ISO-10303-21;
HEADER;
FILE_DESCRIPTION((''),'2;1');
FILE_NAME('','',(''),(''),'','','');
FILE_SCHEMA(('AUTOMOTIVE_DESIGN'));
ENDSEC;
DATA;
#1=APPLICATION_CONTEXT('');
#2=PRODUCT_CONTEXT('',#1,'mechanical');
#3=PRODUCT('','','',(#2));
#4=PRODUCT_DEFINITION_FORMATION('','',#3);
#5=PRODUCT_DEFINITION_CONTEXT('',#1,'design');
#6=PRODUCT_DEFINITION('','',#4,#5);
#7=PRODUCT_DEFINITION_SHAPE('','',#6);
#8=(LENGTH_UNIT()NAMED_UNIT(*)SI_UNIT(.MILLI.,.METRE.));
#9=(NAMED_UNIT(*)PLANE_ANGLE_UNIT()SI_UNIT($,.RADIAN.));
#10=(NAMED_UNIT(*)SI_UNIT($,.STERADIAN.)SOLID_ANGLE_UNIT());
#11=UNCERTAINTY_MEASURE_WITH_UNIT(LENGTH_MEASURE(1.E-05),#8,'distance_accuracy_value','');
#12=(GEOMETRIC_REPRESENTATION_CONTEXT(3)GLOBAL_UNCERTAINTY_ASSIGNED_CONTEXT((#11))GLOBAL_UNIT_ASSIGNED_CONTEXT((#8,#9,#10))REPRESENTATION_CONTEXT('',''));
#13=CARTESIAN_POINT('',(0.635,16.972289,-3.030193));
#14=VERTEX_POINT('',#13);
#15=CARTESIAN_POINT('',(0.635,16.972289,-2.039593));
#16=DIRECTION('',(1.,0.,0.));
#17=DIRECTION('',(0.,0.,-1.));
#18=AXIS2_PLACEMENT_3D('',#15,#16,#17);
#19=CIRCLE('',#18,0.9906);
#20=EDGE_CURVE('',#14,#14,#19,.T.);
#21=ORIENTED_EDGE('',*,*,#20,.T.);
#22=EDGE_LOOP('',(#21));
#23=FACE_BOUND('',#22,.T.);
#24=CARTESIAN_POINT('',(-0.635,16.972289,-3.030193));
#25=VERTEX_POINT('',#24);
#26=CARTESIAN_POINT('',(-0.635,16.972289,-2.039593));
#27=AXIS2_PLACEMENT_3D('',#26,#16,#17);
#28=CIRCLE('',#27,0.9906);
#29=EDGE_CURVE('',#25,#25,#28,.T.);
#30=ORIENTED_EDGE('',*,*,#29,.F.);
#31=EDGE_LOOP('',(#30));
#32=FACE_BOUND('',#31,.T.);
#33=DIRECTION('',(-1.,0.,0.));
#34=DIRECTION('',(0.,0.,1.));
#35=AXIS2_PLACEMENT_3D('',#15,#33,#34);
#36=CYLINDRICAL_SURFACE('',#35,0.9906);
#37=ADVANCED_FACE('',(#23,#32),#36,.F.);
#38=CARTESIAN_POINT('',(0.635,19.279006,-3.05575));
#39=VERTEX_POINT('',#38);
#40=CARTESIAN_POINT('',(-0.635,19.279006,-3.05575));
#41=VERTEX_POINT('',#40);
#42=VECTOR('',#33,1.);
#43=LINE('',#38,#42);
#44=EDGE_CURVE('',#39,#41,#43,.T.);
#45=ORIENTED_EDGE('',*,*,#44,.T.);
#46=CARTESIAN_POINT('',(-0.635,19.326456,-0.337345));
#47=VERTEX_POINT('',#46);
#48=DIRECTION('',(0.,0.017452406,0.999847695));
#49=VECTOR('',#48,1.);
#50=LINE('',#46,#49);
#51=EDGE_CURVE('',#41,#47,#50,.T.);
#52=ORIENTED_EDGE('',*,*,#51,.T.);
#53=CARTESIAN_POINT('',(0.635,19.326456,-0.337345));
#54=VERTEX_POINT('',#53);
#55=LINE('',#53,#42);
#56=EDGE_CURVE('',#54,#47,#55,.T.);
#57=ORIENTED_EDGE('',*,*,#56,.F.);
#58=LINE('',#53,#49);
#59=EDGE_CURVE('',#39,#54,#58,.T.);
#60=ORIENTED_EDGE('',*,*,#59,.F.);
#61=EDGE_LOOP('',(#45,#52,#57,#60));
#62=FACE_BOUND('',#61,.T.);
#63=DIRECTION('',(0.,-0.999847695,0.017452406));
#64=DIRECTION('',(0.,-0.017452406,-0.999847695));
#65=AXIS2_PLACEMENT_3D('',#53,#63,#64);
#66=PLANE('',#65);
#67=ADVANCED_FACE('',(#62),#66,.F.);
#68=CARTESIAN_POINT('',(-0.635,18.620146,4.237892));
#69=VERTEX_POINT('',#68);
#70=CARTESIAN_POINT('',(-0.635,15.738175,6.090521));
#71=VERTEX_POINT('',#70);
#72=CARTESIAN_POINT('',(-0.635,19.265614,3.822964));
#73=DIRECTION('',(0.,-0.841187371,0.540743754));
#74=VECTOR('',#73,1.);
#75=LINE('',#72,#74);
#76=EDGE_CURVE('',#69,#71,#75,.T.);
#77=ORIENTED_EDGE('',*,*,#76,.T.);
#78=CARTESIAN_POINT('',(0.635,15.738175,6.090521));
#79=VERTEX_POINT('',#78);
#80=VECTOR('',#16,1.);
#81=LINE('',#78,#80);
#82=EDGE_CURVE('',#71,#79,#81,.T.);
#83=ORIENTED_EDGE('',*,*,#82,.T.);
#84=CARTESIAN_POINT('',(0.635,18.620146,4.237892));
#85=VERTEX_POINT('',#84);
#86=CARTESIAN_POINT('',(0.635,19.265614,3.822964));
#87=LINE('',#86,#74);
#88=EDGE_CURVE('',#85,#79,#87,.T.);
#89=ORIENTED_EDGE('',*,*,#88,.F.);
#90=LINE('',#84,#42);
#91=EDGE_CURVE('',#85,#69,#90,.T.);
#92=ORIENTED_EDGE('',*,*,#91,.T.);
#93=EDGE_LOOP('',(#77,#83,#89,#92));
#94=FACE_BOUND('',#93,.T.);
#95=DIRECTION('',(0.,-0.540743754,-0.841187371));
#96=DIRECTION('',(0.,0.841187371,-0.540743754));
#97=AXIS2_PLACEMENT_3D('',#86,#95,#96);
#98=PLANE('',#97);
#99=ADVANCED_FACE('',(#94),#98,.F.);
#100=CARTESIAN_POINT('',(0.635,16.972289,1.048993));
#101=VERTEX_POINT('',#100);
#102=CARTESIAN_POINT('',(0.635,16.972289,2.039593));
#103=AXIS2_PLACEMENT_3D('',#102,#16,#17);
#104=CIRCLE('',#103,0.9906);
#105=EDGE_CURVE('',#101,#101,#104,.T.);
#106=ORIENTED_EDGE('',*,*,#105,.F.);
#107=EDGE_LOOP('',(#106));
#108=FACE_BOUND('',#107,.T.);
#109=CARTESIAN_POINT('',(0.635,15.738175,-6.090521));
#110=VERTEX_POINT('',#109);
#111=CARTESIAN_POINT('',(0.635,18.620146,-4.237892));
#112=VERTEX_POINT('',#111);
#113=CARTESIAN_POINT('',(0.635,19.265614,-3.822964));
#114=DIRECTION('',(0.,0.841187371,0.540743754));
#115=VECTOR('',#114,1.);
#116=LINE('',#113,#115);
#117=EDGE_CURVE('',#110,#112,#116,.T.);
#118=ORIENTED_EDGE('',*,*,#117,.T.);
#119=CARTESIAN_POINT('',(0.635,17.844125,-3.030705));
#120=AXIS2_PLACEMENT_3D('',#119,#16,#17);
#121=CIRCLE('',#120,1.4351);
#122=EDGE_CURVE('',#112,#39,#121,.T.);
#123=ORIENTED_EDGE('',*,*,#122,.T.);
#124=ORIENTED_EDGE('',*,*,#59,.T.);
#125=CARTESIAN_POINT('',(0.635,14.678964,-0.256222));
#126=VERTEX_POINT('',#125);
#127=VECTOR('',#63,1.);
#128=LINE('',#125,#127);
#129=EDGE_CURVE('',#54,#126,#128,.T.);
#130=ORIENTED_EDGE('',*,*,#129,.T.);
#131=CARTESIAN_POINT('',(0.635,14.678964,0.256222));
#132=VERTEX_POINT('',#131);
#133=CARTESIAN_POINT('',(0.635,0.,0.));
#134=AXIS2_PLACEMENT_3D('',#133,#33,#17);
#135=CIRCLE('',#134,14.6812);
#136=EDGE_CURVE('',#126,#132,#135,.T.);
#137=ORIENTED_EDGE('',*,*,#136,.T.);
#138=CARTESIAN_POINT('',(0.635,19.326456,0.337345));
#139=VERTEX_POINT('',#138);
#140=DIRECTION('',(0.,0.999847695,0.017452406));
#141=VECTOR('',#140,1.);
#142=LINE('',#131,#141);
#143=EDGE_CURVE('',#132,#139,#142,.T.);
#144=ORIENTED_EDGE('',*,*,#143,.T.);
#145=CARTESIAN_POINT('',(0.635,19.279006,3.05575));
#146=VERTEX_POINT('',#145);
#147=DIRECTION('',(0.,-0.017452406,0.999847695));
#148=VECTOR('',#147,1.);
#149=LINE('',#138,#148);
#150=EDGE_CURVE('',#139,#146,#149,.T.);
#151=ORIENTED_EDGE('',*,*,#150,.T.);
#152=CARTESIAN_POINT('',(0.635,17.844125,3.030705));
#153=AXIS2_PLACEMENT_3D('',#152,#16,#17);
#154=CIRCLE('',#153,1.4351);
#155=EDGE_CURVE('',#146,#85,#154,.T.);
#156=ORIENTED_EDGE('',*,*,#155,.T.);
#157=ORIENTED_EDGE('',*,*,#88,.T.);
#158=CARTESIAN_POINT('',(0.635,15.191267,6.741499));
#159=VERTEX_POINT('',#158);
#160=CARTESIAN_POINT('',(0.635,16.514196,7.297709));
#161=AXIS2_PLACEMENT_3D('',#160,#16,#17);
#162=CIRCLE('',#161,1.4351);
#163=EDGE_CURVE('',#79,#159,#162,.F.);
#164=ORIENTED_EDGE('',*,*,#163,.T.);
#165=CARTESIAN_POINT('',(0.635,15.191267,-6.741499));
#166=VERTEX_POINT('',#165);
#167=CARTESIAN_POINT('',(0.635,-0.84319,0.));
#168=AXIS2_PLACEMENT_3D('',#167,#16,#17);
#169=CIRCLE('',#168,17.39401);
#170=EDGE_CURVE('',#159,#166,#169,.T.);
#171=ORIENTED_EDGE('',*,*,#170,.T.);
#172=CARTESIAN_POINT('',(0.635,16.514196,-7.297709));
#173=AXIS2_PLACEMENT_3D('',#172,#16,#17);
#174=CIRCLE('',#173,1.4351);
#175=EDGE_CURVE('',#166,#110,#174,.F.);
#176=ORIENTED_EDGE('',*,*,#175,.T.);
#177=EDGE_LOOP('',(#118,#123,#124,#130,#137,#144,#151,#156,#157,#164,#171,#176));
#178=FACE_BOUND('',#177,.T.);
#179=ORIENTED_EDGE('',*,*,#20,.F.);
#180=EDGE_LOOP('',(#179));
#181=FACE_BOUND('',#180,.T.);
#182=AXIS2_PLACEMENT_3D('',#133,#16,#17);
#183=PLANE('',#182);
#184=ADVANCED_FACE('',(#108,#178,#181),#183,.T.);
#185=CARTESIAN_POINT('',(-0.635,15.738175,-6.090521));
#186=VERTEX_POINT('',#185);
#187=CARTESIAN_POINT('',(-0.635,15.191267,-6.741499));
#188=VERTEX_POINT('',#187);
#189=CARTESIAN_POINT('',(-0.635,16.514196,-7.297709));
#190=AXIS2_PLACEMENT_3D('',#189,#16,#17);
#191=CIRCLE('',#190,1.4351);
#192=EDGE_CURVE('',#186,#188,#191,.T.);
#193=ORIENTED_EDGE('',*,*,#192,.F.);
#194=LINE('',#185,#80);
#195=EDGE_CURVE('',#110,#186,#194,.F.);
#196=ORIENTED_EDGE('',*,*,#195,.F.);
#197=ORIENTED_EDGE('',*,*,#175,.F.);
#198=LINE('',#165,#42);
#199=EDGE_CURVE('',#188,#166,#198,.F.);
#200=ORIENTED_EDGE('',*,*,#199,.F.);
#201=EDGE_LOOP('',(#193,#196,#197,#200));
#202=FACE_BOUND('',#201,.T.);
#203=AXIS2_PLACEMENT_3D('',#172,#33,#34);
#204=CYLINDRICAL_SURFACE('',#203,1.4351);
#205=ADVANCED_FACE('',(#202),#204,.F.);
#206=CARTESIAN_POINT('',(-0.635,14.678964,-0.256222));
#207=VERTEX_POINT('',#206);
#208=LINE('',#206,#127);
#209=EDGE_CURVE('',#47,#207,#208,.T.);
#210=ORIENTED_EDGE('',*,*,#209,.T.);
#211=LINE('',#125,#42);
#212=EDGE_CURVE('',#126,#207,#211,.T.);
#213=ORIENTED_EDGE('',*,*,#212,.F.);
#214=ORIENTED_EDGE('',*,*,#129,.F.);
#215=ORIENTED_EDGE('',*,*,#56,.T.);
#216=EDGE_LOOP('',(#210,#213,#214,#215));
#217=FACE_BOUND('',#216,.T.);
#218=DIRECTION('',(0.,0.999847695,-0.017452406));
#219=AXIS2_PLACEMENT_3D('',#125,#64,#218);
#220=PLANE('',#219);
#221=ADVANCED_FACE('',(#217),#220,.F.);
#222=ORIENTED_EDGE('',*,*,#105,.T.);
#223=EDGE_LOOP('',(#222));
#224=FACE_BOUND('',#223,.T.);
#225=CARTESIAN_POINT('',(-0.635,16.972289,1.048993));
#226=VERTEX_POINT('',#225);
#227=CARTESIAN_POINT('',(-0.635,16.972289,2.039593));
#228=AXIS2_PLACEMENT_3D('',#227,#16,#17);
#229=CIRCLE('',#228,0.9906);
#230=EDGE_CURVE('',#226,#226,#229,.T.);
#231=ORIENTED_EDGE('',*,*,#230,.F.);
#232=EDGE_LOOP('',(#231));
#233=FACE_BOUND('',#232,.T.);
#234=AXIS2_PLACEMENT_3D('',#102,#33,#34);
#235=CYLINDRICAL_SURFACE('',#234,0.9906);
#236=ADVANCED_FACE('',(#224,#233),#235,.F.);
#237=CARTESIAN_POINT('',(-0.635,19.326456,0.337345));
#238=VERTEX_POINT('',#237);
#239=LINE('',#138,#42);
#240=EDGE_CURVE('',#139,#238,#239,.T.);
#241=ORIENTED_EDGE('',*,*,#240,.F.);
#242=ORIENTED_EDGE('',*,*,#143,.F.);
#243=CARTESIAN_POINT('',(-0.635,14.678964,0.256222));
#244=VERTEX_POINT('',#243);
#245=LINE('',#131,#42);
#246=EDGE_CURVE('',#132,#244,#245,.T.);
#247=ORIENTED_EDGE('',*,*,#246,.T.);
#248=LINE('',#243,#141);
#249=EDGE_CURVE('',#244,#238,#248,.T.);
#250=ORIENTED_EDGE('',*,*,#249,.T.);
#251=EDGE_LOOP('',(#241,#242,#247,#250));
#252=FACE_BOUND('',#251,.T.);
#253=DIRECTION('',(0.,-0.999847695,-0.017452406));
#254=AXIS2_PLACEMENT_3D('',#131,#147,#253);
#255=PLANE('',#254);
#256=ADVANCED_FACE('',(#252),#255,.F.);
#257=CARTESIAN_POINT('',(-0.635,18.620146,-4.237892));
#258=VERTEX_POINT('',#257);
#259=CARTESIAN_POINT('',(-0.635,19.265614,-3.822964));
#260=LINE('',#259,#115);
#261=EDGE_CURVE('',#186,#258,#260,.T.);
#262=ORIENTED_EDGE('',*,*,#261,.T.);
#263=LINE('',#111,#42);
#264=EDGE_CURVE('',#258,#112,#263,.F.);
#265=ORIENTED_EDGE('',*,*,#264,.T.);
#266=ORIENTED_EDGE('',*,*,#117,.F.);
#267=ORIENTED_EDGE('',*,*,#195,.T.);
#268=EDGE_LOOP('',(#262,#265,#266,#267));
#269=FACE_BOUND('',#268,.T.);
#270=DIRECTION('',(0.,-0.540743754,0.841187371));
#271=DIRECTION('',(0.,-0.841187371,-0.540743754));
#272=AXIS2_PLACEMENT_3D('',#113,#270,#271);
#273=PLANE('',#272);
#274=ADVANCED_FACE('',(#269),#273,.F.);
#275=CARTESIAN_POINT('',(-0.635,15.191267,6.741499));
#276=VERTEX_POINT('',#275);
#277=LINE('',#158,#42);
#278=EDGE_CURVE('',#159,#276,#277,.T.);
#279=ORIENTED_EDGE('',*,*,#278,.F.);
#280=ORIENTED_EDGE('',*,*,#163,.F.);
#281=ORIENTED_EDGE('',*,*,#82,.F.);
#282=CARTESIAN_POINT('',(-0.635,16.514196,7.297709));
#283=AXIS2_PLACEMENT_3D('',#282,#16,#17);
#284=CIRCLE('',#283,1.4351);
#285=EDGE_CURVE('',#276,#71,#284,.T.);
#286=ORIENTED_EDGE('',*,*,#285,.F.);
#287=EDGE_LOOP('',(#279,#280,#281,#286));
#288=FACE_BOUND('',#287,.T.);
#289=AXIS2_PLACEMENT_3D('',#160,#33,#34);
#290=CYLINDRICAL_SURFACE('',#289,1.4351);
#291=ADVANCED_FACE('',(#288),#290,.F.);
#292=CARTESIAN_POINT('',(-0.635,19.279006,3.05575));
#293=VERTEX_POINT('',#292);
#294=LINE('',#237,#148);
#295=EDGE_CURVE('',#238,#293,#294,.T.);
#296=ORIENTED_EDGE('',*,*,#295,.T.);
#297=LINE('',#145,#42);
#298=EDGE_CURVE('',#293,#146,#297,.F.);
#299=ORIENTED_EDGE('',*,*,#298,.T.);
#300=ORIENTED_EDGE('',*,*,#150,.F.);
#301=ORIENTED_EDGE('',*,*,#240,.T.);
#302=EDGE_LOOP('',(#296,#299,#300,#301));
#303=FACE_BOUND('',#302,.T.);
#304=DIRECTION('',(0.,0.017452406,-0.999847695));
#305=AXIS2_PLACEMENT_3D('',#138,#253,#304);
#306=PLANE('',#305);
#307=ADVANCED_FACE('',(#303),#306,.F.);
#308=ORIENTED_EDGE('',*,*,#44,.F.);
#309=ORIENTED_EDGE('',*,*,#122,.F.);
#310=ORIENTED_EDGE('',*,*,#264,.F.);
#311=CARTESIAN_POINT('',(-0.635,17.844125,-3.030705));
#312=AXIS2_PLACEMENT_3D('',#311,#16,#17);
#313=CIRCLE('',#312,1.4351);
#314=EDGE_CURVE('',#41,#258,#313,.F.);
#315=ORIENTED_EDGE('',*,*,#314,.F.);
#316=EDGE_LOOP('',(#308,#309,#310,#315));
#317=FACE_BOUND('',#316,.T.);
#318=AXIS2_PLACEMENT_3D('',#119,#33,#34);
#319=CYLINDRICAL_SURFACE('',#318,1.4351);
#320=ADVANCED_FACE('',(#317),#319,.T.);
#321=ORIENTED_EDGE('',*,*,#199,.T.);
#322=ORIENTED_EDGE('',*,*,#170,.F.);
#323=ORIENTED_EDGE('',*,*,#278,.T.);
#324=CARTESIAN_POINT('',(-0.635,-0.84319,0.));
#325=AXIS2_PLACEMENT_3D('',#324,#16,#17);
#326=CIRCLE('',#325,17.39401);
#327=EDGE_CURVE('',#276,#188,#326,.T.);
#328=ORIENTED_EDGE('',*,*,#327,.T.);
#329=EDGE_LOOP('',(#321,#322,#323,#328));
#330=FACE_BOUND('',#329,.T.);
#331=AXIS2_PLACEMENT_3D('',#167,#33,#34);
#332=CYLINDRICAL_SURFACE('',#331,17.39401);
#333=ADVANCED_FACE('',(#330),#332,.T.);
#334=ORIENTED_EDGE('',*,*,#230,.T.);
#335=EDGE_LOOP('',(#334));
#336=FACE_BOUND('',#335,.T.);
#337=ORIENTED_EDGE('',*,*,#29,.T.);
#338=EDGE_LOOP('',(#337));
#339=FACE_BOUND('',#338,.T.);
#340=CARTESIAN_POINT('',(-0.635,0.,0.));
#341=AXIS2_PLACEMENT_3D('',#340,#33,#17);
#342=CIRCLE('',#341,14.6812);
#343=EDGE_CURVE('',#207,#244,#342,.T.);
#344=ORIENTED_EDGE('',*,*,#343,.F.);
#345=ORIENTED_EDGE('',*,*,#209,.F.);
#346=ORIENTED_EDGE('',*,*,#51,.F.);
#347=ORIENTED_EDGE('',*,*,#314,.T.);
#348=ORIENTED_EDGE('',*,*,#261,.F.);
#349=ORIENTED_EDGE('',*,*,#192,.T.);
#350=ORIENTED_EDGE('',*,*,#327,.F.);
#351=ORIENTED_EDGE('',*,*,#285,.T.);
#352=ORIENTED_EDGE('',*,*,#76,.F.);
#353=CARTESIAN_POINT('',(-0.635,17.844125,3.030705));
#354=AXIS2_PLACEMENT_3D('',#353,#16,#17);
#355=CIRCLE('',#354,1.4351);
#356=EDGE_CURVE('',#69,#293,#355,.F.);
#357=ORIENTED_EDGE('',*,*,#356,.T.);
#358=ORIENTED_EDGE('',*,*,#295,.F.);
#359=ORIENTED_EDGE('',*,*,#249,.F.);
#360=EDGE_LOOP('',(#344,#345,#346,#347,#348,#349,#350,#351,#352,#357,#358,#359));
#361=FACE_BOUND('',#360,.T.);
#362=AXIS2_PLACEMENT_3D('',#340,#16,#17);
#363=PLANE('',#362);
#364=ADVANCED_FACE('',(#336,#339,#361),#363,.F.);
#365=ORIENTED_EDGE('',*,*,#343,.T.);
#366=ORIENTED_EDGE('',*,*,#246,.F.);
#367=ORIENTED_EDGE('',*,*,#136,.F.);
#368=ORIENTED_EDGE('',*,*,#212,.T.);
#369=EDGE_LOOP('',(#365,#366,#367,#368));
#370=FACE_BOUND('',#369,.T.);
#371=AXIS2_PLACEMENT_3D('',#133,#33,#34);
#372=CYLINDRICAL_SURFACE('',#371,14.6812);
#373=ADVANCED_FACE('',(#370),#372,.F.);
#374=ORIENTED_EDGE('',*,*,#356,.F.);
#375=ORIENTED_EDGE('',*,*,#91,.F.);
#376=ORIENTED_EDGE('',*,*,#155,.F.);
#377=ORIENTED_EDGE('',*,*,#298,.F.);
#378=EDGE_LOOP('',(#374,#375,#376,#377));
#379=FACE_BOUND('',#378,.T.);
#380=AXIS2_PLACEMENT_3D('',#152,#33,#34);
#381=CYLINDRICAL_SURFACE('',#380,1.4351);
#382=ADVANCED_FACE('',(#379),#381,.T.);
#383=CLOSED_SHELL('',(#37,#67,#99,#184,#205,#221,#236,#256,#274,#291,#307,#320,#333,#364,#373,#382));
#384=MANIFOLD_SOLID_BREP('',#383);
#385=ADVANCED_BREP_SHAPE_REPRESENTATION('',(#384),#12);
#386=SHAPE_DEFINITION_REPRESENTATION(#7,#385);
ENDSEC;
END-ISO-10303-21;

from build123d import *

# Parameters (mm, degrees)
SKETCH1_R      = 0.9906
EXTRUDE1_DEPTH = 0.635
FILLET1_R      = 1.4351


with BuildPart() as part:
    # Sketch1 → Extrude1 (new body, symmetric)
    with BuildSketch(Plane(origin=(0, 0, 0), x_dir=(0, 0, -1), z_dir=(1, 0, 0))):
        with BuildLine():
            Line((-0.256222269, 14.678963982), (-0.337344545, 19.326456039))
            Line((-0.337344545, 19.326456039), (-3.822963587, 19.265614332))
            Line((-3.822963587, 19.265614332), (-6.336448705, 15.355607196))
            ThreePointArc((-6.336448705, 15.355607196), (0, -18.2372), (6.336448705, 15.355607196))
            Line((6.336448705, 15.355607196), (3.822963587, 19.265614332))
            Line((3.822963587, 19.265614332), (0.337344545, 19.326456039))
            Line((0.337344545, 19.326456039), (0.256222269, 14.678963982))
            ThreePointArc((0.256222269, 14.678963982), (0, -14.6812), (-0.256222269, 14.678963982))
        make_face()
        with Locations((-2.039592928, 16.972289157)):
            Circle(SKETCH1_R, mode=Mode.SUBTRACT)
        with Locations((2.039592928, 16.972289157)):
            Circle(SKETCH1_R, mode=Mode.SUBTRACT)
    extrude(amount=EXTRUDE1_DEPTH, both=True)

    # Fillet1
    fillet1_edges = [part.edges().sort_by_distance(p)[0] for p in [
        (0, 19.265614332, -3.822963587),
        (0, 15.355607196, -6.336448705),
        (0, 15.355607196, 6.336448705),
        (0, 19.265614332, 3.822963587),
    ]]
    fillet(fillet1_edges, radius=FILLET1_R)


solid = part.part
